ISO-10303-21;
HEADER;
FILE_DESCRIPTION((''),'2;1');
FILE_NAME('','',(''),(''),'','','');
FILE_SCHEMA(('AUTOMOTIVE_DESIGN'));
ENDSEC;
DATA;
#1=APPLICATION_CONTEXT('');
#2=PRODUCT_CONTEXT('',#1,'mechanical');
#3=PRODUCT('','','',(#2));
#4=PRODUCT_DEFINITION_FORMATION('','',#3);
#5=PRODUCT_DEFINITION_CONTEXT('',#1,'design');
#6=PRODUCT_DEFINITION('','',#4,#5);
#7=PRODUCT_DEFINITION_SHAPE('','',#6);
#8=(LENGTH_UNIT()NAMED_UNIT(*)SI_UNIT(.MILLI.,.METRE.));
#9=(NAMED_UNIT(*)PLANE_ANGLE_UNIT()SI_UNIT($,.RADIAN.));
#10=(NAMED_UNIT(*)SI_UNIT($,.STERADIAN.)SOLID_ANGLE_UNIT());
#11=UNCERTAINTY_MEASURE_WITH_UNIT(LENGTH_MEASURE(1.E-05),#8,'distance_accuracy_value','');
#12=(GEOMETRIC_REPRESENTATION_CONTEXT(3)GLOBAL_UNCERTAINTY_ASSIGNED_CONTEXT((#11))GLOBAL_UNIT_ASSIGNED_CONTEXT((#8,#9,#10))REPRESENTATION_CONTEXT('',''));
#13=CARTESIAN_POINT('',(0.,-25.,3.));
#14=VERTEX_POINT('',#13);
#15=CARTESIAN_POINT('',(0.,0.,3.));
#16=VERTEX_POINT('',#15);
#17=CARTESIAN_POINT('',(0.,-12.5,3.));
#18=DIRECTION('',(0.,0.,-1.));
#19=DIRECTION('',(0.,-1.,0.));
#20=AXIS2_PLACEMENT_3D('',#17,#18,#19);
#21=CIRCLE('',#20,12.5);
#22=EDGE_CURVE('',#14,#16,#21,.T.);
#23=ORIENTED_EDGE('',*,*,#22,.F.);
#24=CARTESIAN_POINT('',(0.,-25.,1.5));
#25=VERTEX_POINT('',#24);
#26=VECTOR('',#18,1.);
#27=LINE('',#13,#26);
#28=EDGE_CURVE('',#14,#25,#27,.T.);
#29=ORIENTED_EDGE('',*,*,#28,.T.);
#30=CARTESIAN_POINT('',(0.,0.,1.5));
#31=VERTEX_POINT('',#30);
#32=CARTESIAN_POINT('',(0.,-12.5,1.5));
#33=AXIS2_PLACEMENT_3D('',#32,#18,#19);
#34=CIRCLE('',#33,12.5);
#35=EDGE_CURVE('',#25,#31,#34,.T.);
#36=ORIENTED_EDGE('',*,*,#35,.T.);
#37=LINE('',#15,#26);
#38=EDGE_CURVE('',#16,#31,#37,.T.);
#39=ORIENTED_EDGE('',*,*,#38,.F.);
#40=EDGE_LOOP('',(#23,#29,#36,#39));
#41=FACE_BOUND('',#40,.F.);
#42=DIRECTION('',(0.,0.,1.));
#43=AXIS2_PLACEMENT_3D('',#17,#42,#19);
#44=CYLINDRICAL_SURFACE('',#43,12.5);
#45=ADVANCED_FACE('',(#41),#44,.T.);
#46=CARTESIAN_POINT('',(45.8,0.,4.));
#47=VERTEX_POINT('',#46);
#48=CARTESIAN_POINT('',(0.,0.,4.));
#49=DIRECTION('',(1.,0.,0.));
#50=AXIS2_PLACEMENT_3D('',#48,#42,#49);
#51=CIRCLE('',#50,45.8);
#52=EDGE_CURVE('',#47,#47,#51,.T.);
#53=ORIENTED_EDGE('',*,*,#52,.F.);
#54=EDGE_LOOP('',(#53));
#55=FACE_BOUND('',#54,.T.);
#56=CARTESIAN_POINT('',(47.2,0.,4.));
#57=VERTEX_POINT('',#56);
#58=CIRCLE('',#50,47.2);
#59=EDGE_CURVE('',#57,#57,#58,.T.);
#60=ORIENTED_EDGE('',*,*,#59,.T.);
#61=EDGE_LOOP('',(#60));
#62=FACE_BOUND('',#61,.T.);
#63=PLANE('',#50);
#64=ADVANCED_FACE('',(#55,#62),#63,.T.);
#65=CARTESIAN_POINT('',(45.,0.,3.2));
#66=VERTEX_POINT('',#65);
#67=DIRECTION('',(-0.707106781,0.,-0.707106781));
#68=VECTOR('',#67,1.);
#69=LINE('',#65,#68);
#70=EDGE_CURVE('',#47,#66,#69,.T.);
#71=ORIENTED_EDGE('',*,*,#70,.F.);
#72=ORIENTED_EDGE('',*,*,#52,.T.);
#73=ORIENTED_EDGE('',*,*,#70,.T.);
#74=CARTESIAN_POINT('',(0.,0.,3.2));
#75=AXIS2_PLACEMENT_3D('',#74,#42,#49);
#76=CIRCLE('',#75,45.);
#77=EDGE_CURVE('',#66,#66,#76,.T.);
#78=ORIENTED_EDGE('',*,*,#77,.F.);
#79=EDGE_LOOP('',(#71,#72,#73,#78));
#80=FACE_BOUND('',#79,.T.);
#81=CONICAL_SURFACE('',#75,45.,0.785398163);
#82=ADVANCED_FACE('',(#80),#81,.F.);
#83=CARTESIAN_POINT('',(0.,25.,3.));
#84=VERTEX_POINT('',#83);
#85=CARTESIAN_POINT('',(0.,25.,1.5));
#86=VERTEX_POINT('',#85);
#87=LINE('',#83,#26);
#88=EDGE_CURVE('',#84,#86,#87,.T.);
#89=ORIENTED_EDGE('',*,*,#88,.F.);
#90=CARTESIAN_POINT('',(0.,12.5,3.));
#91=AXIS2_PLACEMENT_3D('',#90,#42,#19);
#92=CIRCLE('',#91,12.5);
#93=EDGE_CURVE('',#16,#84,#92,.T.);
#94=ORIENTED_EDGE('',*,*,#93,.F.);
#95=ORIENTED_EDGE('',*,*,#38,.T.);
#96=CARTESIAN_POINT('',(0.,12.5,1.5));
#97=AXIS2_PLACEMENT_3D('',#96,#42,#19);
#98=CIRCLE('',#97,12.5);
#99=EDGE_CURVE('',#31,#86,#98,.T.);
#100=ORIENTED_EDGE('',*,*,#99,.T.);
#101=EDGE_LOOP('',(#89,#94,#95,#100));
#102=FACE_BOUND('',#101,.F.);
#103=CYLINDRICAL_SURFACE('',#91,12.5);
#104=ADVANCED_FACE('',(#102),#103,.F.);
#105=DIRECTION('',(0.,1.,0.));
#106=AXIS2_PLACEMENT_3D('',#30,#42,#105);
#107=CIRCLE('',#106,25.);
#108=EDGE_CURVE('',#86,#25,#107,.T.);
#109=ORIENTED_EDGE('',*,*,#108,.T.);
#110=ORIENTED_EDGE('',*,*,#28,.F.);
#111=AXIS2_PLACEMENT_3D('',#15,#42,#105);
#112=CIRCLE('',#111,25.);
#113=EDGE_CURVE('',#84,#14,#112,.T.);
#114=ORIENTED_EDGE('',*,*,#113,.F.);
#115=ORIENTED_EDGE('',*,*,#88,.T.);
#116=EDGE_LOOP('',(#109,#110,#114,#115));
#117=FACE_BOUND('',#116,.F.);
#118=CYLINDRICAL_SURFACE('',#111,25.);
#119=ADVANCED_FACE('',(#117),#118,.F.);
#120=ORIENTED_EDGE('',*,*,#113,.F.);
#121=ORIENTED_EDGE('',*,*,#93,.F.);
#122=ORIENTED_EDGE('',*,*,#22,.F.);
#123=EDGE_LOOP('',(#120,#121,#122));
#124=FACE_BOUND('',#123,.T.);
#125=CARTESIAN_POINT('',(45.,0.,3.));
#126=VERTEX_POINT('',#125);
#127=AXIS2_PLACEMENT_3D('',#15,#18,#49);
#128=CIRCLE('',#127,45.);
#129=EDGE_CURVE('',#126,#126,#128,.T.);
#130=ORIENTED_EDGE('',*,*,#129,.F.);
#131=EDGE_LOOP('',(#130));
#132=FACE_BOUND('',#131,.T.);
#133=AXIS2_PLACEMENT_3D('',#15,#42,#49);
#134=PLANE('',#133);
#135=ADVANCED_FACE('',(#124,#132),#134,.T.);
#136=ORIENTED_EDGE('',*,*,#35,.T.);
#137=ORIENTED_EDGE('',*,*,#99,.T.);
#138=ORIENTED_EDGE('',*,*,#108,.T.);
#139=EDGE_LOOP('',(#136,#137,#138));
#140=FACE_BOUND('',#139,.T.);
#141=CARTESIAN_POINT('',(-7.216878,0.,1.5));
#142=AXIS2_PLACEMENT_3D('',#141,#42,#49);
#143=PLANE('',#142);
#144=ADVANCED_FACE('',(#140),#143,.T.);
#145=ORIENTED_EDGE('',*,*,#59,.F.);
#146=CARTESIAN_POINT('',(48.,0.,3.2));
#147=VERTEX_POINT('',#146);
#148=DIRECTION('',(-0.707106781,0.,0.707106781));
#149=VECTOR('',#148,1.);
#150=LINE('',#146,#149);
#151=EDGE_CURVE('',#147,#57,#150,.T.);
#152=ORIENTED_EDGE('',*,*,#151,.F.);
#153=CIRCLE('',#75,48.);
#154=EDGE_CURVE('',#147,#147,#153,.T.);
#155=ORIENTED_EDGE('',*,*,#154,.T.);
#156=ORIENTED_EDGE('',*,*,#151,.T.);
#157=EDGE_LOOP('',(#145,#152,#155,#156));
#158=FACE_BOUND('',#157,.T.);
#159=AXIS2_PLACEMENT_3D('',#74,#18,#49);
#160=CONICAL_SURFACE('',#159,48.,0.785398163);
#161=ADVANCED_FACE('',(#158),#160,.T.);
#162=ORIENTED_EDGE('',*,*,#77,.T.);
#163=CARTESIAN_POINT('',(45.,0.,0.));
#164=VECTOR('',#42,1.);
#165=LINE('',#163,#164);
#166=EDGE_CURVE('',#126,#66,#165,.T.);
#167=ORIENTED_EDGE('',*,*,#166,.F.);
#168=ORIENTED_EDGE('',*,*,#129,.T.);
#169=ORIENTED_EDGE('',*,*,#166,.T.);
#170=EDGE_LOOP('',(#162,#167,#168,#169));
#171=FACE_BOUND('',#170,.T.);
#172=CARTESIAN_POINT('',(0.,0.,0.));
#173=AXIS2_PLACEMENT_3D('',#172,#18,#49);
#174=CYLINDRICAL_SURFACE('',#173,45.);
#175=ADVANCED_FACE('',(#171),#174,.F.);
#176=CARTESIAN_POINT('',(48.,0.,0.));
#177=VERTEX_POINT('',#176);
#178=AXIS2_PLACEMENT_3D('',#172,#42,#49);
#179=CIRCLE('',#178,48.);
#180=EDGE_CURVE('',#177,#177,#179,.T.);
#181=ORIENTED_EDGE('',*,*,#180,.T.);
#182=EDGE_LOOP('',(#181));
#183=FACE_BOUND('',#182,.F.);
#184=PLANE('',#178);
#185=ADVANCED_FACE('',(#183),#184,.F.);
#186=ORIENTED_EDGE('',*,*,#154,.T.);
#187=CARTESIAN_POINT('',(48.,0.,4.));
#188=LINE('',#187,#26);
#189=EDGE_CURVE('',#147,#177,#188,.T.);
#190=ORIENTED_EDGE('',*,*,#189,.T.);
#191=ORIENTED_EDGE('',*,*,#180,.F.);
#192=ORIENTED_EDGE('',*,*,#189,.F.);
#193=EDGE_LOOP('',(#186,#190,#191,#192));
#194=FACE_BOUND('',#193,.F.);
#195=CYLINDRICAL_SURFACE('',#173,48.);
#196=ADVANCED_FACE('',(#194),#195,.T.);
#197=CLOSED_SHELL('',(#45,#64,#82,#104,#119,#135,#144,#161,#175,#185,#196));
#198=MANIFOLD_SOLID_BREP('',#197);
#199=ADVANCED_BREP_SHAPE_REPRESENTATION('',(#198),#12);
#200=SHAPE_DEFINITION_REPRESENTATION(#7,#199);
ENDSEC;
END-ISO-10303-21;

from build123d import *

# Parameters (mm, degrees)
F0_R     = 48
F1_DEPTH = 3
F2_R     = 48
F2_R_2   = 45
F3_DEPTH = 4
F4_SIZE  = 0.8
F6_DEPTH = 1.5


with BuildPart() as f1:
    # F0 (on Top) → F1 (new body)
    with BuildSketch(Plane.XY):
        Circle(F0_R)
    extrude(amount=F1_DEPTH)

    # F2 (on Top) → F3 (join)
    with BuildSketch(Plane.XY):
        Circle(F2_R)
        Circle(F2_R_2, mode=Mode.SUBTRACT)
    extrude(amount=F3_DEPTH)

    # F4
    f4_edges = [f1.edges().sort_by_distance(p)[0] for p in [
        (-48, 0, 4),
        (-45, 0, 4),
    ]]
    chamfer(f4_edges, length=F4_SIZE)

    # F5 (on face) → F6 (cut)
    with BuildSketch(Plane.XY.offset(3)):
        with BuildLine():
            ThreePointArc((0, -25), (-12.5, -12.5), (0, 0))
            ThreePointArc((0, 0), (12.5, 12.5), (0, 25))
            ThreePointArc((0, 25), (-25, 0), (0, -25))
        make_face()
    extrude(amount=-F6_DEPTH, mode=Mode.SUBTRACT)


solid = f1.part
